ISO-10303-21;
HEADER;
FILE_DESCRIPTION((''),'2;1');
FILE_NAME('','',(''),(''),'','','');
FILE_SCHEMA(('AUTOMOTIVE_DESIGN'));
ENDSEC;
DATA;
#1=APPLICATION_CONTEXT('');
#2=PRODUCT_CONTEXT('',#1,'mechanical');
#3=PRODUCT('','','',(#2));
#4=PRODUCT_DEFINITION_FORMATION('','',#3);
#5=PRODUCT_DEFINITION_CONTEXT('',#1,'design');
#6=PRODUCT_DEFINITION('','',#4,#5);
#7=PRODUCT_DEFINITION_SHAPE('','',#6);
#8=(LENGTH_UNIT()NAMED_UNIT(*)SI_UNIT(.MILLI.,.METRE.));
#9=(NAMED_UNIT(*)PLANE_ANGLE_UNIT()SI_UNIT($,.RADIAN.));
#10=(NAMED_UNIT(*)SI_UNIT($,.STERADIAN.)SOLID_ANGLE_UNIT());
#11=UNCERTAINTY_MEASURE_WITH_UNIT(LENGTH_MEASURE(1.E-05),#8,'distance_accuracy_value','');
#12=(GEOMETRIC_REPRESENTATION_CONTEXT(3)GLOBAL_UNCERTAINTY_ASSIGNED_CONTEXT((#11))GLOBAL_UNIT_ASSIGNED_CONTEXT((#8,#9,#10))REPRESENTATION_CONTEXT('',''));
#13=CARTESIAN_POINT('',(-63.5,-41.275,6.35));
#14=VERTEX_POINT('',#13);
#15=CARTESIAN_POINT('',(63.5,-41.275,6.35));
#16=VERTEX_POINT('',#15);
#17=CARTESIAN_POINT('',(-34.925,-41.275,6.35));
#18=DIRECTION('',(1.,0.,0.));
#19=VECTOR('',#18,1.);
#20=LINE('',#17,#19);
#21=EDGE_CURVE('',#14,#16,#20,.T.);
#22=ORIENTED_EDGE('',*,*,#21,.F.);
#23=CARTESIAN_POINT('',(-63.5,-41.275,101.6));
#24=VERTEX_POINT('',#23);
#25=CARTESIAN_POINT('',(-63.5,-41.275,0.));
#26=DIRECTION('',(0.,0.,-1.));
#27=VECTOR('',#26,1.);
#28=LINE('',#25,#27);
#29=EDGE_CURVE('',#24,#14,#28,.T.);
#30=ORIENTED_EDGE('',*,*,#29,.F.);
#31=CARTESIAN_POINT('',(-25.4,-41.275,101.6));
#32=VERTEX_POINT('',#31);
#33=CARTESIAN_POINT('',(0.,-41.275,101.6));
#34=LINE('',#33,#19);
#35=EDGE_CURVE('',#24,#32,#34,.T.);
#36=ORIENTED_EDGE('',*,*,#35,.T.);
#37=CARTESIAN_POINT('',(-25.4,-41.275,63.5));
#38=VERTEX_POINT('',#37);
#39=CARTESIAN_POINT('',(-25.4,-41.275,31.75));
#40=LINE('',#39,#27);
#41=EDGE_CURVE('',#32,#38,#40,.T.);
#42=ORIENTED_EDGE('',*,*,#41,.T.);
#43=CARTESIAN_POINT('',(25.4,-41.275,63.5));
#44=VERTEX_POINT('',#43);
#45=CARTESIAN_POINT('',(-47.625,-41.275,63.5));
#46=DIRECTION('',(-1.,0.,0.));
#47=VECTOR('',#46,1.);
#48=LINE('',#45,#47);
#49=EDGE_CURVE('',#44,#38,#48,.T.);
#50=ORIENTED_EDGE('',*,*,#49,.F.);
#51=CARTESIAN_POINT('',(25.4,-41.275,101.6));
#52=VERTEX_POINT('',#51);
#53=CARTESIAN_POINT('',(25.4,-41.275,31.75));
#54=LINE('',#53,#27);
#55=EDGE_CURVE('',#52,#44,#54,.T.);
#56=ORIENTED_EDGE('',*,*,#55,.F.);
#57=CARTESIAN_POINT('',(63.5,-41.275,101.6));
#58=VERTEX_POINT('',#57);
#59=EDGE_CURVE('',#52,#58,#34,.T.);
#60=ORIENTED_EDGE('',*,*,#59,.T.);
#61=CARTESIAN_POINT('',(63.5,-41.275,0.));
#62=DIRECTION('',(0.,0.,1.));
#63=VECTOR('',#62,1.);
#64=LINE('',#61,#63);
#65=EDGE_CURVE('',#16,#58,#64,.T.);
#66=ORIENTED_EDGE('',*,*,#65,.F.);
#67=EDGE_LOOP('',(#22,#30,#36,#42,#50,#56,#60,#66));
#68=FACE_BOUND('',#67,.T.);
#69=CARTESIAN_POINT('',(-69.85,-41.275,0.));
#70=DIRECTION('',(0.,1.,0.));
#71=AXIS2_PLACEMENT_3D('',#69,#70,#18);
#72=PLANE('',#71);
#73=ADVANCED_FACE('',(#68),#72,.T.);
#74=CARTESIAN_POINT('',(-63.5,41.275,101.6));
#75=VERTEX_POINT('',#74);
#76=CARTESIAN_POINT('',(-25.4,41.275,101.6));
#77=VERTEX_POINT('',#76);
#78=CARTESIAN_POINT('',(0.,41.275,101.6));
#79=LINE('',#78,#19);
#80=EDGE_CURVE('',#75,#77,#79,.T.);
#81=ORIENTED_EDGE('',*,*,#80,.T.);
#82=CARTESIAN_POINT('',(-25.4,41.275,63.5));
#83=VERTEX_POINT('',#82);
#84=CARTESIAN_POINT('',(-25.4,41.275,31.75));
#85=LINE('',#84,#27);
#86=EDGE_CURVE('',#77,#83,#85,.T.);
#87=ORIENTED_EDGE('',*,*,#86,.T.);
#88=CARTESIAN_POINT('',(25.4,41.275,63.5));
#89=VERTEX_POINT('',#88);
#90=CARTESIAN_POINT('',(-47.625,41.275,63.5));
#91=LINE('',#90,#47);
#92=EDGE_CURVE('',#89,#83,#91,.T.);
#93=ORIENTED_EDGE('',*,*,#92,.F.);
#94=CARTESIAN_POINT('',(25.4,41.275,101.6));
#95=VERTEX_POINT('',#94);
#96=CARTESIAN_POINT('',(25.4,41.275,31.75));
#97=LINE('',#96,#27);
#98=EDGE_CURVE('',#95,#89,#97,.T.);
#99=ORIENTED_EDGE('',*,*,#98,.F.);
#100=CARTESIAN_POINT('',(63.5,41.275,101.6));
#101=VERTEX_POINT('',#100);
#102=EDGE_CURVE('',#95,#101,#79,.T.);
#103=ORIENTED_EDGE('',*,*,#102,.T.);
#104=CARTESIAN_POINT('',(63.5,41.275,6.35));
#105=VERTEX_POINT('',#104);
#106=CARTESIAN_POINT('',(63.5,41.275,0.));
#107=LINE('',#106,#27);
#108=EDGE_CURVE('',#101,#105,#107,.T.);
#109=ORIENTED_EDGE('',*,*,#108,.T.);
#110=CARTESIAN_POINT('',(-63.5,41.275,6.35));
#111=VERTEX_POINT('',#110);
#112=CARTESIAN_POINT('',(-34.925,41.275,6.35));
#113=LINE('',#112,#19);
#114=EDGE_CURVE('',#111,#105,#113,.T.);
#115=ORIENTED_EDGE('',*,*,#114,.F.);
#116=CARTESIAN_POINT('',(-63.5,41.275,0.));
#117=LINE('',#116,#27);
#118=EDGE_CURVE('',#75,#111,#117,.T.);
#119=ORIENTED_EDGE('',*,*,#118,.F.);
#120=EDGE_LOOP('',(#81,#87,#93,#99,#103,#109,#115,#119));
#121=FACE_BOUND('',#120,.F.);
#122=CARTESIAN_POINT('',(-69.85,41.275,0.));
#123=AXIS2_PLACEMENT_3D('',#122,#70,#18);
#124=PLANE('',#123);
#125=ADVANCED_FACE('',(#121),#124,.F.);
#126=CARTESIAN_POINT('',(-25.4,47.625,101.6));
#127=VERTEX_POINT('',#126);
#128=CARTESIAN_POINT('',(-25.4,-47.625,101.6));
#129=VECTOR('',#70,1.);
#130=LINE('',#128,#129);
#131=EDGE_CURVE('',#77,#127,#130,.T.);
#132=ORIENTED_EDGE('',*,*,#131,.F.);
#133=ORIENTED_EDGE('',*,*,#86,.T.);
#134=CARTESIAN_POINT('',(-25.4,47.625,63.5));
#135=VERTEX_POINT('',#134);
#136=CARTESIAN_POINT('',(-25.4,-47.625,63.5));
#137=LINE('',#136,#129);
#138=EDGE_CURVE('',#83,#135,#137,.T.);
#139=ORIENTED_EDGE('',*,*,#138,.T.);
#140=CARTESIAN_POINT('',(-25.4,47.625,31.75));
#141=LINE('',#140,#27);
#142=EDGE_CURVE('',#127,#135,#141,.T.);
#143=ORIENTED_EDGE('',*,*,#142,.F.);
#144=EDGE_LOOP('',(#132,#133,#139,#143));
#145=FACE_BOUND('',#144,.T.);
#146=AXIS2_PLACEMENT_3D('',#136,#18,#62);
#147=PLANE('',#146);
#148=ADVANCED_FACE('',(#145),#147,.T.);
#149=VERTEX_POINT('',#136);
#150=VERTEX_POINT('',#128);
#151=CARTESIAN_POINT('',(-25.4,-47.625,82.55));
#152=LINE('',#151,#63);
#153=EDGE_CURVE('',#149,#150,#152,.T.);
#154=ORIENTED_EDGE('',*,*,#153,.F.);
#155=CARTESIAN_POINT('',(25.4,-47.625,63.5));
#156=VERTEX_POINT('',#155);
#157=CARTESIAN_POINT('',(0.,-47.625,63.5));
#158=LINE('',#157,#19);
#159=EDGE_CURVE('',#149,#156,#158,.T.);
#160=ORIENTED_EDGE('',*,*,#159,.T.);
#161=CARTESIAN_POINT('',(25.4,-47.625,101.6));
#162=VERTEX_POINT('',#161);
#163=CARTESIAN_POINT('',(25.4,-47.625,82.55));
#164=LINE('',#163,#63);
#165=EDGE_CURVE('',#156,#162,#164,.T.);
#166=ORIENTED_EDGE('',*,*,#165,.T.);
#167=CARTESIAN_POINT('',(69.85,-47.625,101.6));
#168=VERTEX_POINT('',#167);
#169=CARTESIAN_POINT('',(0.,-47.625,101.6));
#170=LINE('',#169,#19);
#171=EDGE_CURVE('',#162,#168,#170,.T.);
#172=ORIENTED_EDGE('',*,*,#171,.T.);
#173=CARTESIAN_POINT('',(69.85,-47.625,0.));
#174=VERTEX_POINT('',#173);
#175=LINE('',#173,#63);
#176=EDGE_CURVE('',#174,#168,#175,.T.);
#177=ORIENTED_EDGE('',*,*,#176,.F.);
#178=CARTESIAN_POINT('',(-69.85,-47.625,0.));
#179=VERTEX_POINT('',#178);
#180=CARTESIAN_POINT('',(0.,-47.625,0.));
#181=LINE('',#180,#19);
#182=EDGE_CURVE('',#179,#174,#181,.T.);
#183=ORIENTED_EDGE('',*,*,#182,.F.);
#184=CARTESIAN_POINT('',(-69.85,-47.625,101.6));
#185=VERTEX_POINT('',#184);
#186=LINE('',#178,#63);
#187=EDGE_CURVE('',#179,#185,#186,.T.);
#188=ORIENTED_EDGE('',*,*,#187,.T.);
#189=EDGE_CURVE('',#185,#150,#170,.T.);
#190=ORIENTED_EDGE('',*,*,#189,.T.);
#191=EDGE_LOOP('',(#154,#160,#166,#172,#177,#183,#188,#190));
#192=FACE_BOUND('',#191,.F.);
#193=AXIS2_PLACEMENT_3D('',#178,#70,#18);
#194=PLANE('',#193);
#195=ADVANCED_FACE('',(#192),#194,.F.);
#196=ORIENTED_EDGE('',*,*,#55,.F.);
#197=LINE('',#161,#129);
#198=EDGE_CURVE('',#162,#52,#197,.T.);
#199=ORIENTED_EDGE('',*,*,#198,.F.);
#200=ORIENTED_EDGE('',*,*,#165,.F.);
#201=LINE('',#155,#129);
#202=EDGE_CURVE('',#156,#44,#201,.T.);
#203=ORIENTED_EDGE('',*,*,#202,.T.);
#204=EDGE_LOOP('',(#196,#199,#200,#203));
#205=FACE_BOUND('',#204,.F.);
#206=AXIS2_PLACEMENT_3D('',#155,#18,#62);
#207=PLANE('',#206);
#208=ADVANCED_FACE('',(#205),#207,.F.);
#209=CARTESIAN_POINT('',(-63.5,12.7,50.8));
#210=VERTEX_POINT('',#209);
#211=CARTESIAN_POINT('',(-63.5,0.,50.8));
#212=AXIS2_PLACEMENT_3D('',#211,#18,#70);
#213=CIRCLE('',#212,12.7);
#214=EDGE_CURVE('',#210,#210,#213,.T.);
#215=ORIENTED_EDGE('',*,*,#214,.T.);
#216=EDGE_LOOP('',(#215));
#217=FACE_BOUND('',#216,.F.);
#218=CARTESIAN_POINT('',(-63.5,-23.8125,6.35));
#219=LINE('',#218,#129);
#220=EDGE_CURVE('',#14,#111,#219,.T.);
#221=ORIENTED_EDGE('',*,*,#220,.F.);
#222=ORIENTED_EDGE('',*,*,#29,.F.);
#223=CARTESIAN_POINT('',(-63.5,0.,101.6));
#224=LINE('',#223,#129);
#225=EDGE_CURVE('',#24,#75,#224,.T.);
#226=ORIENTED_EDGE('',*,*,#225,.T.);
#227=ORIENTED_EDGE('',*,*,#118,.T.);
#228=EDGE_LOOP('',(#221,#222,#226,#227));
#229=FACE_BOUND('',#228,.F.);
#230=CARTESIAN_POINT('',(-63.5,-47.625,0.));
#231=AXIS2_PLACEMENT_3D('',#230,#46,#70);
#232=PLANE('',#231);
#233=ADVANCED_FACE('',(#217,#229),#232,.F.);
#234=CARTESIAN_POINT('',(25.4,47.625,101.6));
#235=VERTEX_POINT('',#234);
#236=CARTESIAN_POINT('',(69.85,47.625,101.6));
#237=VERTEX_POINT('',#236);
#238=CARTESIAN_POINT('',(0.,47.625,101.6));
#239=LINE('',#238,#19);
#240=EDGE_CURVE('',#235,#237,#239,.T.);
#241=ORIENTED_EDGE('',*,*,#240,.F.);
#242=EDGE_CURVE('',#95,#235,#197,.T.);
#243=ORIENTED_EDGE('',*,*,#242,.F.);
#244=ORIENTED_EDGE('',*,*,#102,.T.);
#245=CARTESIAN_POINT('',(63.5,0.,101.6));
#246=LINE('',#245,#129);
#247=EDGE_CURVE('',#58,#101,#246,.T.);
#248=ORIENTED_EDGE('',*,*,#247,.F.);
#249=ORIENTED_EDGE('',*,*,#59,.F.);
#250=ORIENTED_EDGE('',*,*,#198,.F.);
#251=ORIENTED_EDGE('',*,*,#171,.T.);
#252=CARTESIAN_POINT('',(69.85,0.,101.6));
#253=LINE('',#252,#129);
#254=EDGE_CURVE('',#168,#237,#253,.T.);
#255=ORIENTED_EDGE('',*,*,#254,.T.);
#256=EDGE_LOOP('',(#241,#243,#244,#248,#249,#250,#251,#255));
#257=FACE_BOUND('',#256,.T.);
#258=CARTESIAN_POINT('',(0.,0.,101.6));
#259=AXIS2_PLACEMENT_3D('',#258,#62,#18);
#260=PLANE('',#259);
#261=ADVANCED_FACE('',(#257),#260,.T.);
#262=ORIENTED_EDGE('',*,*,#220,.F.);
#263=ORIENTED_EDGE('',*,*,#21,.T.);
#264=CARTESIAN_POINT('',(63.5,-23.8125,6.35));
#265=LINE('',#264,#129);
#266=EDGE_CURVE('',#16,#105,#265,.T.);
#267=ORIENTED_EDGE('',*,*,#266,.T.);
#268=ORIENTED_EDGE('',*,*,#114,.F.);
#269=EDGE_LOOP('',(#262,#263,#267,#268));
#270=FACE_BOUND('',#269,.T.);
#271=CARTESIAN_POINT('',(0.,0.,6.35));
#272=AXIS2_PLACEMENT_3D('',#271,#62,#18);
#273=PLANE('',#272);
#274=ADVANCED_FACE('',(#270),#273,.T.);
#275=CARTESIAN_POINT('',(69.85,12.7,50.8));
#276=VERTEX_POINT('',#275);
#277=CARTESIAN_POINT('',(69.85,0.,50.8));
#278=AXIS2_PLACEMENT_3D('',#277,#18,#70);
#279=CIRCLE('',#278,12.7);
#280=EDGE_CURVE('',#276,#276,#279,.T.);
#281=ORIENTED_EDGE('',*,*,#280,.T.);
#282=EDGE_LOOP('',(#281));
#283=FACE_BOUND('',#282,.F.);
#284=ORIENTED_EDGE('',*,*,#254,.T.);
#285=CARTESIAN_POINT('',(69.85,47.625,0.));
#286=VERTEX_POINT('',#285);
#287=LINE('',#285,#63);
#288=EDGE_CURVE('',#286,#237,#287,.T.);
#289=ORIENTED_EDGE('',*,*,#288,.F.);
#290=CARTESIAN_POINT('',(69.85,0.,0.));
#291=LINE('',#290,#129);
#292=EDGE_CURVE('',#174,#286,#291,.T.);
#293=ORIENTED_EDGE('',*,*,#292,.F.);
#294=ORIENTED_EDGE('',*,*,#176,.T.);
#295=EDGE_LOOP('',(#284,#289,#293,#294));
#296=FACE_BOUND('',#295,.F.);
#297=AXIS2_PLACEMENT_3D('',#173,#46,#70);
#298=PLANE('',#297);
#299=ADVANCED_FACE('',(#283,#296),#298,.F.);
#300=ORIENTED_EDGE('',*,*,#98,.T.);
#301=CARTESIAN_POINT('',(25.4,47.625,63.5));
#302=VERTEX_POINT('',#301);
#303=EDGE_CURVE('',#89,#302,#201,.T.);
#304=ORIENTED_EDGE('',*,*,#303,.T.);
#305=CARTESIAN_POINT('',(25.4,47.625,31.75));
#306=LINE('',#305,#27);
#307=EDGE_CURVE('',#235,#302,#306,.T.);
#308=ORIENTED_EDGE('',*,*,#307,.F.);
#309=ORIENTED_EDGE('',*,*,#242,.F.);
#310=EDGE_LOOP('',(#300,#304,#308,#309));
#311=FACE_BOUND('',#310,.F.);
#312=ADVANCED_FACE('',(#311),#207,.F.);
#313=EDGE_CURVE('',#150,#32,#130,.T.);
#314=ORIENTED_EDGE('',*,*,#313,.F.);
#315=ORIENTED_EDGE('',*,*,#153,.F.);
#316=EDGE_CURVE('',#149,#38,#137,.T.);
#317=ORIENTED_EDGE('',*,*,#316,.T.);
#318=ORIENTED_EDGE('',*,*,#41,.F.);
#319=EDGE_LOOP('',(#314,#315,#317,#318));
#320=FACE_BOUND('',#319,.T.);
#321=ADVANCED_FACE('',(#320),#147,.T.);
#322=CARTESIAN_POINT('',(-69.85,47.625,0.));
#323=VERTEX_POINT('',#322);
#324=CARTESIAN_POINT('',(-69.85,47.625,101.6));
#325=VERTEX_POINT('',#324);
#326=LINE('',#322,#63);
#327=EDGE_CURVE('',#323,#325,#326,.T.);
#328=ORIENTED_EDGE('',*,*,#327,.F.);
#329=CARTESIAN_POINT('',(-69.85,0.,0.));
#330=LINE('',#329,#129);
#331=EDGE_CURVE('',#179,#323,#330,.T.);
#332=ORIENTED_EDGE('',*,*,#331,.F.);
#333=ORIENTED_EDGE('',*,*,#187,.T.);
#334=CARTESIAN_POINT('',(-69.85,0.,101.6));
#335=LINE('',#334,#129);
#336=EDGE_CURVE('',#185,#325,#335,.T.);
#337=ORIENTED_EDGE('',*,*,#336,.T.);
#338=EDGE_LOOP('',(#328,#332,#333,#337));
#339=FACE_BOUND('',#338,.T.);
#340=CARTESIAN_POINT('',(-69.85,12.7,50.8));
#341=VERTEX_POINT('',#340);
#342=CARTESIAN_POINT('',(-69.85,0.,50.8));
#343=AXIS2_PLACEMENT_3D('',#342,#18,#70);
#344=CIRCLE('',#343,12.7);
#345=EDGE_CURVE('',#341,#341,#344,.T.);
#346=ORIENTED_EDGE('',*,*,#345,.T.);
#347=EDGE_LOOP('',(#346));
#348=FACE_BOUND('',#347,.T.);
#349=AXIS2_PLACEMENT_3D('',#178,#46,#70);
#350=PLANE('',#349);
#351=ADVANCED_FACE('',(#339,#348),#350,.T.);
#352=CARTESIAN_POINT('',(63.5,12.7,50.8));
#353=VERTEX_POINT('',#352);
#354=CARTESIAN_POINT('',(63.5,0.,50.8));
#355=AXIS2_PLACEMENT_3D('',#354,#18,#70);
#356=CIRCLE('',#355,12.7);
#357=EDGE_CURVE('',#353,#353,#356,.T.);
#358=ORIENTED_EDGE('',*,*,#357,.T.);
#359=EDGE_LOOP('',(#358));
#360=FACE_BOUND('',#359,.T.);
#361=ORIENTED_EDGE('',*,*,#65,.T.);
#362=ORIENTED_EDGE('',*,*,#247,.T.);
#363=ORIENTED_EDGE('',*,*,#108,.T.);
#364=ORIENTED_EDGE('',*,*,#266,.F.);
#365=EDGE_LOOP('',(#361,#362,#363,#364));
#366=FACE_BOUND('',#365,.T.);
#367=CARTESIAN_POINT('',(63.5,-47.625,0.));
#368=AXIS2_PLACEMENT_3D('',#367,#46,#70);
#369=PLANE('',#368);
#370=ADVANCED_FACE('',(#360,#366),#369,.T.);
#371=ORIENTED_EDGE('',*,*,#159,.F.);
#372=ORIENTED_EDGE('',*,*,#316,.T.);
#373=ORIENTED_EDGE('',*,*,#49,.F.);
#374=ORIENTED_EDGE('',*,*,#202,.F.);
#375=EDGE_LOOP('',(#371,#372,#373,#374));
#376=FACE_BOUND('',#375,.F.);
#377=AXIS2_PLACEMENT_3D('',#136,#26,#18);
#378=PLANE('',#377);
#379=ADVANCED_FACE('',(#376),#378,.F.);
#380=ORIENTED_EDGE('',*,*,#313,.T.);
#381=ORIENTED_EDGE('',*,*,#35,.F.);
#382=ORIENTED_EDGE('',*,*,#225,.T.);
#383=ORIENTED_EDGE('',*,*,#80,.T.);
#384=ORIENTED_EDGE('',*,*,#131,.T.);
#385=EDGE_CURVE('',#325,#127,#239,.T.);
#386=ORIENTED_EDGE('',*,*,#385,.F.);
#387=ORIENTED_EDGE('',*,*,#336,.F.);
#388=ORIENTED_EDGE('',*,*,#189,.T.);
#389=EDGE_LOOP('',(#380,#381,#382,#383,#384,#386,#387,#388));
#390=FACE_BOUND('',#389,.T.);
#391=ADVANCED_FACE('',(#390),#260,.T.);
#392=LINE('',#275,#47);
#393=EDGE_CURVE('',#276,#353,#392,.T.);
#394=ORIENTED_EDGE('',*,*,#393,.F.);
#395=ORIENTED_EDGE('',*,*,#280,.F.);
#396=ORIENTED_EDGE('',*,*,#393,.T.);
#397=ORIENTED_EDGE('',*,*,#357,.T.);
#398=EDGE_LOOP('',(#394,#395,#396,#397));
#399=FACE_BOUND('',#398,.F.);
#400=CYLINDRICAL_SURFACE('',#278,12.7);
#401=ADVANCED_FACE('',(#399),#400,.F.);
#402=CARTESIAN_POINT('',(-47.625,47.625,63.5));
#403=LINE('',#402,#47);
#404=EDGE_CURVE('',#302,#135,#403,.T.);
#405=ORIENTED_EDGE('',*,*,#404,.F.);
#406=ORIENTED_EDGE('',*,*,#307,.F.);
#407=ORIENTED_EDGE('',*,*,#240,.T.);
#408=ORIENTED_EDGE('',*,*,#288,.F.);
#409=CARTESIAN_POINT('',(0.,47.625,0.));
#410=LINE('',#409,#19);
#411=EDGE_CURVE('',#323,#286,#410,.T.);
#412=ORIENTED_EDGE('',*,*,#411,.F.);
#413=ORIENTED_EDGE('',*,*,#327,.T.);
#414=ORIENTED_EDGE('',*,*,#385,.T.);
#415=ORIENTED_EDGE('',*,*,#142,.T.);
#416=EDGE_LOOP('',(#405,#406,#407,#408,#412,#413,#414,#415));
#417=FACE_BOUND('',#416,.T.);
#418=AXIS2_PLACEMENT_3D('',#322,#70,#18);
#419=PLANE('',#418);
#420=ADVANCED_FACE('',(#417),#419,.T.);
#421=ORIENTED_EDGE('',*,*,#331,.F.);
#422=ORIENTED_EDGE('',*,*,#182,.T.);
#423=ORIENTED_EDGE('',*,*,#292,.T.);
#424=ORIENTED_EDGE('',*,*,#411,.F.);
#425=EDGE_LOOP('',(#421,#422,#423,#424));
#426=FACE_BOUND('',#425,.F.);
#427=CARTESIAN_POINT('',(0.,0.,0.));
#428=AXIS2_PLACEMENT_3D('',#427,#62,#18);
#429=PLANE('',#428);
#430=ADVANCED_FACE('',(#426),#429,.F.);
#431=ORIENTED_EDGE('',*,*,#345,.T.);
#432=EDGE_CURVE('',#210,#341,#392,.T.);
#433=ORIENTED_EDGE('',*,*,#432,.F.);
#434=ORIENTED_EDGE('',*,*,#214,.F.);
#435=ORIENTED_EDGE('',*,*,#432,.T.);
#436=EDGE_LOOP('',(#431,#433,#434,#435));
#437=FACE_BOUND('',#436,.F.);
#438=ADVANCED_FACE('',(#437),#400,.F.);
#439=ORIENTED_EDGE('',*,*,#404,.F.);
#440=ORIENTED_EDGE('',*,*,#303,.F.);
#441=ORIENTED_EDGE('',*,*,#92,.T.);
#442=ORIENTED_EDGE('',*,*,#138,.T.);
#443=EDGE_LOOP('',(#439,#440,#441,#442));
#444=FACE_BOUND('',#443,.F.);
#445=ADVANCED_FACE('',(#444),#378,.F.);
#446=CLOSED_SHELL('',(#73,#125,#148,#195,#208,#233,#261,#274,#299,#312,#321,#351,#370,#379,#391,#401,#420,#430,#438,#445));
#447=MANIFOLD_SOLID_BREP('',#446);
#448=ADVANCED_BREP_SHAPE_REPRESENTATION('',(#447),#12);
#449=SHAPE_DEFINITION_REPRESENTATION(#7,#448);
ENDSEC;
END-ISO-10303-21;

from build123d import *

# Parameters (mm, degrees)
F0_W     = 139.7
F0_H     = 95.25
F1_DEPTH = 101.6
F2_T     = -6.35
F3_W     = 50.8
F3_H     = 38.1
F4_DEPTH = 101.6
F5_R     = 12.7
F6_DEPTH = 177.8


with BuildPart() as f1:
    # F0 (on Top) → F1 (new body)
    with BuildSketch(Plane.XY):
        Rectangle(F0_W, F0_H)
    extrude(amount=F1_DEPTH)

    # F2
    f2_openings = [f1.faces().sort_by_distance(p)[0] for p in [
        (0, 0, 101.6),
    ]]
    offset(amount=F2_T, openings=f2_openings)

    # F3 (on face) → F4 (cut)
    with BuildSketch(Plane.XZ.offset(47.625)):
        with Locations((0, 82.55)):
            Rectangle(F3_W, F3_H)
    extrude(amount=-F4_DEPTH, mode=Mode.SUBTRACT)

    # F5 (on face) → F6 (cut)
    with BuildSketch(Plane.YZ.offset(69.85)):
        with Locations((0, 50.8)):
            Circle(F5_R)
    extrude(amount=-F6_DEPTH, mode=Mode.SUBTRACT)


solid = f1.part
